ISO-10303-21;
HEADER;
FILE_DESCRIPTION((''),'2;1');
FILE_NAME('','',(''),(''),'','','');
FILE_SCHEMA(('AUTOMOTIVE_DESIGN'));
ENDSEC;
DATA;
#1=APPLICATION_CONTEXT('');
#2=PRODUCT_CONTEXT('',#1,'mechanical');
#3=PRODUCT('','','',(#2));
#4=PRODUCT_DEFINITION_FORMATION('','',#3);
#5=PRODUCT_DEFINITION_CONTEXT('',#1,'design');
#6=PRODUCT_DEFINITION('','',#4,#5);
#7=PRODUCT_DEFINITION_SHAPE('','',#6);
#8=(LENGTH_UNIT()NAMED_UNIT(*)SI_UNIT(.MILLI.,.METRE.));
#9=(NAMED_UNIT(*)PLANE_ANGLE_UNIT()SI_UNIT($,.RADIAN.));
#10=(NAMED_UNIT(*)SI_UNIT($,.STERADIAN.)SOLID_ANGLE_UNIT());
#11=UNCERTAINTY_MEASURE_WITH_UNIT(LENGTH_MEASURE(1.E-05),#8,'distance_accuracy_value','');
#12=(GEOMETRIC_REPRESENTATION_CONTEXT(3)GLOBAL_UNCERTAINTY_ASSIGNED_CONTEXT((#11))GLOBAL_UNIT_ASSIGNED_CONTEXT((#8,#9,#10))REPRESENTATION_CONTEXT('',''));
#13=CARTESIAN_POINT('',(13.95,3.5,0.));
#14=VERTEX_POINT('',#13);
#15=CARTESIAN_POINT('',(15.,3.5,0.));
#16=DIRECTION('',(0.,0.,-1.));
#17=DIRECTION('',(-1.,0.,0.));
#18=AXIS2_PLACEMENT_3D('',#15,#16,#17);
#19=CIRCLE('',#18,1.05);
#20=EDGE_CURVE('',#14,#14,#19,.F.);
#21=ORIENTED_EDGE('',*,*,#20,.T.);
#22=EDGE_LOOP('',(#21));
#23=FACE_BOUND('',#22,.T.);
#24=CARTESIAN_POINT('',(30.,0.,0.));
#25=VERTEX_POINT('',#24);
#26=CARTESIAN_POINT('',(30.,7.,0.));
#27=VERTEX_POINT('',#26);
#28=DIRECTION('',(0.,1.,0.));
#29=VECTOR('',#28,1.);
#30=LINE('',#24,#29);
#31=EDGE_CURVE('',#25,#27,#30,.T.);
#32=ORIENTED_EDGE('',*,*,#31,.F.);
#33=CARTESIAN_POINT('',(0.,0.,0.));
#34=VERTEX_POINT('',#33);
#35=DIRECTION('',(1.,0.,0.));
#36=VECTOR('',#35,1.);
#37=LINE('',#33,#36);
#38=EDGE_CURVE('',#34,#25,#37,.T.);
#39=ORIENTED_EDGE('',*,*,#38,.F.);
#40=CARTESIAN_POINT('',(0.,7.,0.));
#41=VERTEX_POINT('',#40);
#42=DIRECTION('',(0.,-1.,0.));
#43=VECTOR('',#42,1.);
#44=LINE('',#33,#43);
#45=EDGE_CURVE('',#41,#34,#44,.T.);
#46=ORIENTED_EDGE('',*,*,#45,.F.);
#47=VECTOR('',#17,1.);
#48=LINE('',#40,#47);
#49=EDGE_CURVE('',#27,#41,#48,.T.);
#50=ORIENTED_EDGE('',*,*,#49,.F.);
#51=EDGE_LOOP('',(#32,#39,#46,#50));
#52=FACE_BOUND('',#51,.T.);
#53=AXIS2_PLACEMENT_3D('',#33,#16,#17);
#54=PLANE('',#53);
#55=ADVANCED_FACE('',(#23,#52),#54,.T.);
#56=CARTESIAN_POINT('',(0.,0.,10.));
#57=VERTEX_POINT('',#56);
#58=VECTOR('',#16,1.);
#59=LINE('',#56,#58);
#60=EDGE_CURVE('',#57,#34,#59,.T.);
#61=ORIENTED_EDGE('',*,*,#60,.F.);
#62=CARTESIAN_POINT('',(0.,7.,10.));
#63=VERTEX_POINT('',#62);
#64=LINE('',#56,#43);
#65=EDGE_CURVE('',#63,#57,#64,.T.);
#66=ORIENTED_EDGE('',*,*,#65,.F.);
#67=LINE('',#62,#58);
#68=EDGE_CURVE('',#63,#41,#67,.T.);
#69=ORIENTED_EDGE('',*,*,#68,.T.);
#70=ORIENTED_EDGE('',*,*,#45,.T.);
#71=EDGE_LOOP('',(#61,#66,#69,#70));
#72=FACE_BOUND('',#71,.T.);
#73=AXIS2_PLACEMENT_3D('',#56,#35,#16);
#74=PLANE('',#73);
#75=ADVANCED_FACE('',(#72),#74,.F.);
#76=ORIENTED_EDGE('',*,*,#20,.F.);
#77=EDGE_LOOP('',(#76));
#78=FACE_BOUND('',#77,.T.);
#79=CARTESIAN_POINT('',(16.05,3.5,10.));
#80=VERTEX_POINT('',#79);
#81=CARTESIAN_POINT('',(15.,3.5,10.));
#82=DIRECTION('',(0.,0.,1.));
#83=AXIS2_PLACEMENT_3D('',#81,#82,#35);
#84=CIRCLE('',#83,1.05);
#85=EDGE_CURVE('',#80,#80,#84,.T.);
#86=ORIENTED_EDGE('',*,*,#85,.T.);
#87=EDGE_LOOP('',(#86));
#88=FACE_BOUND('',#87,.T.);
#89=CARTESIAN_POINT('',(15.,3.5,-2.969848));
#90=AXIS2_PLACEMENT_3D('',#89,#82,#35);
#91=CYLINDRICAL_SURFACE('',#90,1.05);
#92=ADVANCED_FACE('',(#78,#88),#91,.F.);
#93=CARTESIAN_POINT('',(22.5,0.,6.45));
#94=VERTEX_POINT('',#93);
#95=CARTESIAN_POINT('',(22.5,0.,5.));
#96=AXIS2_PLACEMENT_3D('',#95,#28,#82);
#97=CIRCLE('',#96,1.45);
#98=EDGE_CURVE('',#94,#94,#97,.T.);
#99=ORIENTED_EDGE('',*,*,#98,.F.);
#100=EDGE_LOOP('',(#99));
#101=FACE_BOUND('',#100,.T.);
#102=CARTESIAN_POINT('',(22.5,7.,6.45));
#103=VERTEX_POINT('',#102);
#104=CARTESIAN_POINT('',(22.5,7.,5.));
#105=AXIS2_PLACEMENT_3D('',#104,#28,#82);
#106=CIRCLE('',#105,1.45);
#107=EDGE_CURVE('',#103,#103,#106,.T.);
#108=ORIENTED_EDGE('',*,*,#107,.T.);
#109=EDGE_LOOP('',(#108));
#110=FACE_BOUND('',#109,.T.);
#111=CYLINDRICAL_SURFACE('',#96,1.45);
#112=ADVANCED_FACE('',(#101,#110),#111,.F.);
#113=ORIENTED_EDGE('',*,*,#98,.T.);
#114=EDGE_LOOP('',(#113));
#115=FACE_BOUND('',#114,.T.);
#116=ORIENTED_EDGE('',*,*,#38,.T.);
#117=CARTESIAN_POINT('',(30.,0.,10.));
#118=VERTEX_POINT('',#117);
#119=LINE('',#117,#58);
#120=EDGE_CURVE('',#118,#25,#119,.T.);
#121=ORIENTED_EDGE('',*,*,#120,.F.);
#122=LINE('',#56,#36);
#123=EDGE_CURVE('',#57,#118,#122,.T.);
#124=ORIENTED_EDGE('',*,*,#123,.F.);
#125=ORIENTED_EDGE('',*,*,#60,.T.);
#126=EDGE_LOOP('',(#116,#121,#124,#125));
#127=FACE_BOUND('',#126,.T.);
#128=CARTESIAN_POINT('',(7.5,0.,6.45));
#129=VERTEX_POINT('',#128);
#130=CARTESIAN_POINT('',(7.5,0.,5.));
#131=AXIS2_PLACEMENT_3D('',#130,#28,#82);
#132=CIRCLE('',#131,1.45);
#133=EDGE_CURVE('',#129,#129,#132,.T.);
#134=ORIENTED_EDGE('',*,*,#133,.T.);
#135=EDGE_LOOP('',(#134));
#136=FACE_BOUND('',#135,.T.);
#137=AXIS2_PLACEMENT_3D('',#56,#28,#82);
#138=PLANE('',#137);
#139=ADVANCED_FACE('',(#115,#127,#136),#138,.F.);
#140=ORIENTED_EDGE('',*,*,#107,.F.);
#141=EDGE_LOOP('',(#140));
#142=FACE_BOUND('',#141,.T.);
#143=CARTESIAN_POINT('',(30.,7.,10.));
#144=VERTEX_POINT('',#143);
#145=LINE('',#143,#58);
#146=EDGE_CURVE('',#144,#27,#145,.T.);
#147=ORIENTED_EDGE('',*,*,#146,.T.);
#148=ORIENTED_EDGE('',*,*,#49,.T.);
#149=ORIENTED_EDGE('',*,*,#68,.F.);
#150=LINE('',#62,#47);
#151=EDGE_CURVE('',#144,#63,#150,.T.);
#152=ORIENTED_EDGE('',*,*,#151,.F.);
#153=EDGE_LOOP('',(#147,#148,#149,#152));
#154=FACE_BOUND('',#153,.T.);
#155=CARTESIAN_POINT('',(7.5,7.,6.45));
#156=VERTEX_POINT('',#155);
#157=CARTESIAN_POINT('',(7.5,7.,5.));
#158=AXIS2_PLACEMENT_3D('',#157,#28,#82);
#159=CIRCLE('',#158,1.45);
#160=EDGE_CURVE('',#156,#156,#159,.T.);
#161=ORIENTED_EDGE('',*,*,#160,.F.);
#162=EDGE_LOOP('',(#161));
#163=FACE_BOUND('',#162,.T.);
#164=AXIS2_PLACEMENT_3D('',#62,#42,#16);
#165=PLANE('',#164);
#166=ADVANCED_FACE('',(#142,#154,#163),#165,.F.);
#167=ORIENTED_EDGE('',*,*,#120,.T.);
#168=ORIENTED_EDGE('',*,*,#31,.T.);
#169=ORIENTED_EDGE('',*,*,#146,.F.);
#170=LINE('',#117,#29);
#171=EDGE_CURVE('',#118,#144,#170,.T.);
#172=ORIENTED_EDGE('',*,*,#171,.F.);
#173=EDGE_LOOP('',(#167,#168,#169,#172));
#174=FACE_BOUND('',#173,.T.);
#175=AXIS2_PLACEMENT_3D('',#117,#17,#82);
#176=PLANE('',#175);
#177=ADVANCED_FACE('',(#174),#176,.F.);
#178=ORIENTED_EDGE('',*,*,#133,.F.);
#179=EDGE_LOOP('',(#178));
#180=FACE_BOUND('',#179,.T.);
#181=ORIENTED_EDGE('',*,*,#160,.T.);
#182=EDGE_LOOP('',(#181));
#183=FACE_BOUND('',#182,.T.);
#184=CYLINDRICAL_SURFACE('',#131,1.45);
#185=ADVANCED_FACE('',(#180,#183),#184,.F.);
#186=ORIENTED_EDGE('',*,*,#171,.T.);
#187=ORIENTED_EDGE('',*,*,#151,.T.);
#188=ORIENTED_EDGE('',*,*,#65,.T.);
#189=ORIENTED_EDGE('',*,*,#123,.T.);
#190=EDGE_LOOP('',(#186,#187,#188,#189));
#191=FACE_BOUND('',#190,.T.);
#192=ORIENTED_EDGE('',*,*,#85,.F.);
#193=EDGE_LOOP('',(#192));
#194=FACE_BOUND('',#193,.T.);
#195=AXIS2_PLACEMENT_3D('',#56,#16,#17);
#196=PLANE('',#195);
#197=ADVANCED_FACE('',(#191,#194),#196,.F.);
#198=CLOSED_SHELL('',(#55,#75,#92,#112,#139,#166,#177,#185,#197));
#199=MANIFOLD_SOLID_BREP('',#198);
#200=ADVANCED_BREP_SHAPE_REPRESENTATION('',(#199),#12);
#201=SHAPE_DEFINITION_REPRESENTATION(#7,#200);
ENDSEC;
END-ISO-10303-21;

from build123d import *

# Parameters (mm, degrees)
SKETCH1_W           = 30
SKETCH1_H           = 7
BOSS_EXTRUDE1_DEPTH = 10
SKETCH2_R           = 1.05
CUT_EXTRUDE1_DEPTH  = 10
SKETCH3_R           = 1.45
CUT_EXTRUDE2_DEPTH  = 8


with BuildPart() as part:
    # Sketch1 → Boss-Extrude1 (new body)
    with BuildSketch(Plane.XY):
        with Locations((15, 3.5)):
            Rectangle(SKETCH1_W, SKETCH1_H)
    extrude(amount=BOSS_EXTRUDE1_DEPTH)

    # Sketch2 → Cut-Extrude1 (cut)
    with BuildSketch(Plane.XY.offset(10)):
        with Locations((15, 3.5)):
            Circle(SKETCH2_R)
    extrude(amount=-CUT_EXTRUDE1_DEPTH, mode=Mode.SUBTRACT)

    # Sketch3 → Cut-Extrude2 (cut, through all)
    with BuildSketch(Plane(origin=(0, 7, 0), x_dir=(1, 0, 0), z_dir=(0, 1, 0))):
        with Locations((7.5, -5)):
            Circle(SKETCH3_R)
        with Locations((22.5, -5)):
            Circle(SKETCH3_R)
    extrude(amount=-CUT_EXTRUDE2_DEPTH, mode=Mode.SUBTRACT)


solid = part.part
